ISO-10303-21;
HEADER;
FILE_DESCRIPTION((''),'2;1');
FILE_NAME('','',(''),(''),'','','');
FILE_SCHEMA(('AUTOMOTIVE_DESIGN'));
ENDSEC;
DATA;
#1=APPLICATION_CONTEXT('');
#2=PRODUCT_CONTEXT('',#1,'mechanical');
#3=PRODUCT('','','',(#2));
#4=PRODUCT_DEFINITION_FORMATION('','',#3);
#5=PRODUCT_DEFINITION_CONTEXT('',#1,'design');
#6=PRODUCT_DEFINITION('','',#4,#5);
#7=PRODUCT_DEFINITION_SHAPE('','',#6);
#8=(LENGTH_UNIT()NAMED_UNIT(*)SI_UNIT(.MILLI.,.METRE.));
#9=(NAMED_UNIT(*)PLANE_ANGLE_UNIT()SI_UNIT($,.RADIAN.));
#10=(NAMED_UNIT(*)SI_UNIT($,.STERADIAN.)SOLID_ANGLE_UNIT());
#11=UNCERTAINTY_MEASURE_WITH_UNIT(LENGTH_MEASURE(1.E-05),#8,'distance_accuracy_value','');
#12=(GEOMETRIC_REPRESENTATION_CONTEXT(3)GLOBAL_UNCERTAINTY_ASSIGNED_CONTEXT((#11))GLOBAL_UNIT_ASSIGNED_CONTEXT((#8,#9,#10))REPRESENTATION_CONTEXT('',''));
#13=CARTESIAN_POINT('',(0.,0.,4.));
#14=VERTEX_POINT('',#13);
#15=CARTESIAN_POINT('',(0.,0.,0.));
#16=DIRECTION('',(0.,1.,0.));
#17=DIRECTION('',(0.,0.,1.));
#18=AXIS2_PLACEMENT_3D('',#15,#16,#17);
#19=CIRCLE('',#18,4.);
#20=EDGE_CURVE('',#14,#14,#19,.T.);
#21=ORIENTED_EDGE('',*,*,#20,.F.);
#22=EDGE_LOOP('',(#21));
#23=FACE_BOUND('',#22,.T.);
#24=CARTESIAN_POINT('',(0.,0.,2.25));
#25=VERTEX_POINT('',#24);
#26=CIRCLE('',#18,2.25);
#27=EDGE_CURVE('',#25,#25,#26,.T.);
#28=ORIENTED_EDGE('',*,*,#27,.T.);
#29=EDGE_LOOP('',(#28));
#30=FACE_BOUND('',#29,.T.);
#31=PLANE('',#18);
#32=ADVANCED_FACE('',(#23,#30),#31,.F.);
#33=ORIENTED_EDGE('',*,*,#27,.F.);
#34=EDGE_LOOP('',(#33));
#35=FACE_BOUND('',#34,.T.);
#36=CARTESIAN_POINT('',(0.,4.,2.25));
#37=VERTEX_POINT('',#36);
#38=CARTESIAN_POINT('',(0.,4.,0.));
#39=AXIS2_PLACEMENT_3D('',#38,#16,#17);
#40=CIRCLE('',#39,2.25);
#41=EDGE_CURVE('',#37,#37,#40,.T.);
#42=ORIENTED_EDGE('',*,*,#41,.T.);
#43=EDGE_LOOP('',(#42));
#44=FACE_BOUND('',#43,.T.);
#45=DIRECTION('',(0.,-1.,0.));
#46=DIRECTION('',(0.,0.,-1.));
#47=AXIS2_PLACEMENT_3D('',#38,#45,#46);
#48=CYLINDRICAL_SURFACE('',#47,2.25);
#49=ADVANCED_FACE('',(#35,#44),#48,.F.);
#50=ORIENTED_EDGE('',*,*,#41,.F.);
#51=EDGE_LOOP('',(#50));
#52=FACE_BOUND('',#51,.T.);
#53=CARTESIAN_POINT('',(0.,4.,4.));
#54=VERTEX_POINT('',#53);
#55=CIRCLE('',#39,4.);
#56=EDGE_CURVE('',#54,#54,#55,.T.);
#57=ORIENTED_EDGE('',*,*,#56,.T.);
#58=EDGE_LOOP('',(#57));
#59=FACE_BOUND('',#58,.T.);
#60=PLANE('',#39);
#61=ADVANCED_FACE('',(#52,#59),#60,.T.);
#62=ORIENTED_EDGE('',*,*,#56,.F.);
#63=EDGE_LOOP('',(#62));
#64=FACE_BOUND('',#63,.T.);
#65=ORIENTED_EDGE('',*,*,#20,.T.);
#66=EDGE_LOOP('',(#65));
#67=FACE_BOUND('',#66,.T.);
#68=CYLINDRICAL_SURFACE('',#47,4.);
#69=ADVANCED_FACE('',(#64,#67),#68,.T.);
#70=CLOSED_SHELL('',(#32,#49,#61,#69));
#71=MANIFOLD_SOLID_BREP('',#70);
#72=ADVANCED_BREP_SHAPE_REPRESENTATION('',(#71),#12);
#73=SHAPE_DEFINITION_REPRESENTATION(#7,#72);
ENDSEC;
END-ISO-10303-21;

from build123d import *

# Parameters (mm, degrees)
SKETCH_1_R      = 4
SKETCH_1_R_2    = 2.25
EXTRUDE_1_DEPTH = 4


with BuildPart() as part:
    # Эскиз1 → Бобышка-Вытянуть1 (new body)
    with BuildSketch(Plane(origin=(0, 0, 0), x_dir=(1, 0, 0), z_dir=(0, 1, 0))):
        with Locations(Location((0, 0, 0), (0, 0, 270))):
            Circle(SKETCH_1_R)
        with Locations(Location((0, 0, 0), (0, 0, 270))):
            Circle(SKETCH_1_R_2, mode=Mode.SUBTRACT)
    extrude(amount=EXTRUDE_1_DEPTH)


solid = part.part
